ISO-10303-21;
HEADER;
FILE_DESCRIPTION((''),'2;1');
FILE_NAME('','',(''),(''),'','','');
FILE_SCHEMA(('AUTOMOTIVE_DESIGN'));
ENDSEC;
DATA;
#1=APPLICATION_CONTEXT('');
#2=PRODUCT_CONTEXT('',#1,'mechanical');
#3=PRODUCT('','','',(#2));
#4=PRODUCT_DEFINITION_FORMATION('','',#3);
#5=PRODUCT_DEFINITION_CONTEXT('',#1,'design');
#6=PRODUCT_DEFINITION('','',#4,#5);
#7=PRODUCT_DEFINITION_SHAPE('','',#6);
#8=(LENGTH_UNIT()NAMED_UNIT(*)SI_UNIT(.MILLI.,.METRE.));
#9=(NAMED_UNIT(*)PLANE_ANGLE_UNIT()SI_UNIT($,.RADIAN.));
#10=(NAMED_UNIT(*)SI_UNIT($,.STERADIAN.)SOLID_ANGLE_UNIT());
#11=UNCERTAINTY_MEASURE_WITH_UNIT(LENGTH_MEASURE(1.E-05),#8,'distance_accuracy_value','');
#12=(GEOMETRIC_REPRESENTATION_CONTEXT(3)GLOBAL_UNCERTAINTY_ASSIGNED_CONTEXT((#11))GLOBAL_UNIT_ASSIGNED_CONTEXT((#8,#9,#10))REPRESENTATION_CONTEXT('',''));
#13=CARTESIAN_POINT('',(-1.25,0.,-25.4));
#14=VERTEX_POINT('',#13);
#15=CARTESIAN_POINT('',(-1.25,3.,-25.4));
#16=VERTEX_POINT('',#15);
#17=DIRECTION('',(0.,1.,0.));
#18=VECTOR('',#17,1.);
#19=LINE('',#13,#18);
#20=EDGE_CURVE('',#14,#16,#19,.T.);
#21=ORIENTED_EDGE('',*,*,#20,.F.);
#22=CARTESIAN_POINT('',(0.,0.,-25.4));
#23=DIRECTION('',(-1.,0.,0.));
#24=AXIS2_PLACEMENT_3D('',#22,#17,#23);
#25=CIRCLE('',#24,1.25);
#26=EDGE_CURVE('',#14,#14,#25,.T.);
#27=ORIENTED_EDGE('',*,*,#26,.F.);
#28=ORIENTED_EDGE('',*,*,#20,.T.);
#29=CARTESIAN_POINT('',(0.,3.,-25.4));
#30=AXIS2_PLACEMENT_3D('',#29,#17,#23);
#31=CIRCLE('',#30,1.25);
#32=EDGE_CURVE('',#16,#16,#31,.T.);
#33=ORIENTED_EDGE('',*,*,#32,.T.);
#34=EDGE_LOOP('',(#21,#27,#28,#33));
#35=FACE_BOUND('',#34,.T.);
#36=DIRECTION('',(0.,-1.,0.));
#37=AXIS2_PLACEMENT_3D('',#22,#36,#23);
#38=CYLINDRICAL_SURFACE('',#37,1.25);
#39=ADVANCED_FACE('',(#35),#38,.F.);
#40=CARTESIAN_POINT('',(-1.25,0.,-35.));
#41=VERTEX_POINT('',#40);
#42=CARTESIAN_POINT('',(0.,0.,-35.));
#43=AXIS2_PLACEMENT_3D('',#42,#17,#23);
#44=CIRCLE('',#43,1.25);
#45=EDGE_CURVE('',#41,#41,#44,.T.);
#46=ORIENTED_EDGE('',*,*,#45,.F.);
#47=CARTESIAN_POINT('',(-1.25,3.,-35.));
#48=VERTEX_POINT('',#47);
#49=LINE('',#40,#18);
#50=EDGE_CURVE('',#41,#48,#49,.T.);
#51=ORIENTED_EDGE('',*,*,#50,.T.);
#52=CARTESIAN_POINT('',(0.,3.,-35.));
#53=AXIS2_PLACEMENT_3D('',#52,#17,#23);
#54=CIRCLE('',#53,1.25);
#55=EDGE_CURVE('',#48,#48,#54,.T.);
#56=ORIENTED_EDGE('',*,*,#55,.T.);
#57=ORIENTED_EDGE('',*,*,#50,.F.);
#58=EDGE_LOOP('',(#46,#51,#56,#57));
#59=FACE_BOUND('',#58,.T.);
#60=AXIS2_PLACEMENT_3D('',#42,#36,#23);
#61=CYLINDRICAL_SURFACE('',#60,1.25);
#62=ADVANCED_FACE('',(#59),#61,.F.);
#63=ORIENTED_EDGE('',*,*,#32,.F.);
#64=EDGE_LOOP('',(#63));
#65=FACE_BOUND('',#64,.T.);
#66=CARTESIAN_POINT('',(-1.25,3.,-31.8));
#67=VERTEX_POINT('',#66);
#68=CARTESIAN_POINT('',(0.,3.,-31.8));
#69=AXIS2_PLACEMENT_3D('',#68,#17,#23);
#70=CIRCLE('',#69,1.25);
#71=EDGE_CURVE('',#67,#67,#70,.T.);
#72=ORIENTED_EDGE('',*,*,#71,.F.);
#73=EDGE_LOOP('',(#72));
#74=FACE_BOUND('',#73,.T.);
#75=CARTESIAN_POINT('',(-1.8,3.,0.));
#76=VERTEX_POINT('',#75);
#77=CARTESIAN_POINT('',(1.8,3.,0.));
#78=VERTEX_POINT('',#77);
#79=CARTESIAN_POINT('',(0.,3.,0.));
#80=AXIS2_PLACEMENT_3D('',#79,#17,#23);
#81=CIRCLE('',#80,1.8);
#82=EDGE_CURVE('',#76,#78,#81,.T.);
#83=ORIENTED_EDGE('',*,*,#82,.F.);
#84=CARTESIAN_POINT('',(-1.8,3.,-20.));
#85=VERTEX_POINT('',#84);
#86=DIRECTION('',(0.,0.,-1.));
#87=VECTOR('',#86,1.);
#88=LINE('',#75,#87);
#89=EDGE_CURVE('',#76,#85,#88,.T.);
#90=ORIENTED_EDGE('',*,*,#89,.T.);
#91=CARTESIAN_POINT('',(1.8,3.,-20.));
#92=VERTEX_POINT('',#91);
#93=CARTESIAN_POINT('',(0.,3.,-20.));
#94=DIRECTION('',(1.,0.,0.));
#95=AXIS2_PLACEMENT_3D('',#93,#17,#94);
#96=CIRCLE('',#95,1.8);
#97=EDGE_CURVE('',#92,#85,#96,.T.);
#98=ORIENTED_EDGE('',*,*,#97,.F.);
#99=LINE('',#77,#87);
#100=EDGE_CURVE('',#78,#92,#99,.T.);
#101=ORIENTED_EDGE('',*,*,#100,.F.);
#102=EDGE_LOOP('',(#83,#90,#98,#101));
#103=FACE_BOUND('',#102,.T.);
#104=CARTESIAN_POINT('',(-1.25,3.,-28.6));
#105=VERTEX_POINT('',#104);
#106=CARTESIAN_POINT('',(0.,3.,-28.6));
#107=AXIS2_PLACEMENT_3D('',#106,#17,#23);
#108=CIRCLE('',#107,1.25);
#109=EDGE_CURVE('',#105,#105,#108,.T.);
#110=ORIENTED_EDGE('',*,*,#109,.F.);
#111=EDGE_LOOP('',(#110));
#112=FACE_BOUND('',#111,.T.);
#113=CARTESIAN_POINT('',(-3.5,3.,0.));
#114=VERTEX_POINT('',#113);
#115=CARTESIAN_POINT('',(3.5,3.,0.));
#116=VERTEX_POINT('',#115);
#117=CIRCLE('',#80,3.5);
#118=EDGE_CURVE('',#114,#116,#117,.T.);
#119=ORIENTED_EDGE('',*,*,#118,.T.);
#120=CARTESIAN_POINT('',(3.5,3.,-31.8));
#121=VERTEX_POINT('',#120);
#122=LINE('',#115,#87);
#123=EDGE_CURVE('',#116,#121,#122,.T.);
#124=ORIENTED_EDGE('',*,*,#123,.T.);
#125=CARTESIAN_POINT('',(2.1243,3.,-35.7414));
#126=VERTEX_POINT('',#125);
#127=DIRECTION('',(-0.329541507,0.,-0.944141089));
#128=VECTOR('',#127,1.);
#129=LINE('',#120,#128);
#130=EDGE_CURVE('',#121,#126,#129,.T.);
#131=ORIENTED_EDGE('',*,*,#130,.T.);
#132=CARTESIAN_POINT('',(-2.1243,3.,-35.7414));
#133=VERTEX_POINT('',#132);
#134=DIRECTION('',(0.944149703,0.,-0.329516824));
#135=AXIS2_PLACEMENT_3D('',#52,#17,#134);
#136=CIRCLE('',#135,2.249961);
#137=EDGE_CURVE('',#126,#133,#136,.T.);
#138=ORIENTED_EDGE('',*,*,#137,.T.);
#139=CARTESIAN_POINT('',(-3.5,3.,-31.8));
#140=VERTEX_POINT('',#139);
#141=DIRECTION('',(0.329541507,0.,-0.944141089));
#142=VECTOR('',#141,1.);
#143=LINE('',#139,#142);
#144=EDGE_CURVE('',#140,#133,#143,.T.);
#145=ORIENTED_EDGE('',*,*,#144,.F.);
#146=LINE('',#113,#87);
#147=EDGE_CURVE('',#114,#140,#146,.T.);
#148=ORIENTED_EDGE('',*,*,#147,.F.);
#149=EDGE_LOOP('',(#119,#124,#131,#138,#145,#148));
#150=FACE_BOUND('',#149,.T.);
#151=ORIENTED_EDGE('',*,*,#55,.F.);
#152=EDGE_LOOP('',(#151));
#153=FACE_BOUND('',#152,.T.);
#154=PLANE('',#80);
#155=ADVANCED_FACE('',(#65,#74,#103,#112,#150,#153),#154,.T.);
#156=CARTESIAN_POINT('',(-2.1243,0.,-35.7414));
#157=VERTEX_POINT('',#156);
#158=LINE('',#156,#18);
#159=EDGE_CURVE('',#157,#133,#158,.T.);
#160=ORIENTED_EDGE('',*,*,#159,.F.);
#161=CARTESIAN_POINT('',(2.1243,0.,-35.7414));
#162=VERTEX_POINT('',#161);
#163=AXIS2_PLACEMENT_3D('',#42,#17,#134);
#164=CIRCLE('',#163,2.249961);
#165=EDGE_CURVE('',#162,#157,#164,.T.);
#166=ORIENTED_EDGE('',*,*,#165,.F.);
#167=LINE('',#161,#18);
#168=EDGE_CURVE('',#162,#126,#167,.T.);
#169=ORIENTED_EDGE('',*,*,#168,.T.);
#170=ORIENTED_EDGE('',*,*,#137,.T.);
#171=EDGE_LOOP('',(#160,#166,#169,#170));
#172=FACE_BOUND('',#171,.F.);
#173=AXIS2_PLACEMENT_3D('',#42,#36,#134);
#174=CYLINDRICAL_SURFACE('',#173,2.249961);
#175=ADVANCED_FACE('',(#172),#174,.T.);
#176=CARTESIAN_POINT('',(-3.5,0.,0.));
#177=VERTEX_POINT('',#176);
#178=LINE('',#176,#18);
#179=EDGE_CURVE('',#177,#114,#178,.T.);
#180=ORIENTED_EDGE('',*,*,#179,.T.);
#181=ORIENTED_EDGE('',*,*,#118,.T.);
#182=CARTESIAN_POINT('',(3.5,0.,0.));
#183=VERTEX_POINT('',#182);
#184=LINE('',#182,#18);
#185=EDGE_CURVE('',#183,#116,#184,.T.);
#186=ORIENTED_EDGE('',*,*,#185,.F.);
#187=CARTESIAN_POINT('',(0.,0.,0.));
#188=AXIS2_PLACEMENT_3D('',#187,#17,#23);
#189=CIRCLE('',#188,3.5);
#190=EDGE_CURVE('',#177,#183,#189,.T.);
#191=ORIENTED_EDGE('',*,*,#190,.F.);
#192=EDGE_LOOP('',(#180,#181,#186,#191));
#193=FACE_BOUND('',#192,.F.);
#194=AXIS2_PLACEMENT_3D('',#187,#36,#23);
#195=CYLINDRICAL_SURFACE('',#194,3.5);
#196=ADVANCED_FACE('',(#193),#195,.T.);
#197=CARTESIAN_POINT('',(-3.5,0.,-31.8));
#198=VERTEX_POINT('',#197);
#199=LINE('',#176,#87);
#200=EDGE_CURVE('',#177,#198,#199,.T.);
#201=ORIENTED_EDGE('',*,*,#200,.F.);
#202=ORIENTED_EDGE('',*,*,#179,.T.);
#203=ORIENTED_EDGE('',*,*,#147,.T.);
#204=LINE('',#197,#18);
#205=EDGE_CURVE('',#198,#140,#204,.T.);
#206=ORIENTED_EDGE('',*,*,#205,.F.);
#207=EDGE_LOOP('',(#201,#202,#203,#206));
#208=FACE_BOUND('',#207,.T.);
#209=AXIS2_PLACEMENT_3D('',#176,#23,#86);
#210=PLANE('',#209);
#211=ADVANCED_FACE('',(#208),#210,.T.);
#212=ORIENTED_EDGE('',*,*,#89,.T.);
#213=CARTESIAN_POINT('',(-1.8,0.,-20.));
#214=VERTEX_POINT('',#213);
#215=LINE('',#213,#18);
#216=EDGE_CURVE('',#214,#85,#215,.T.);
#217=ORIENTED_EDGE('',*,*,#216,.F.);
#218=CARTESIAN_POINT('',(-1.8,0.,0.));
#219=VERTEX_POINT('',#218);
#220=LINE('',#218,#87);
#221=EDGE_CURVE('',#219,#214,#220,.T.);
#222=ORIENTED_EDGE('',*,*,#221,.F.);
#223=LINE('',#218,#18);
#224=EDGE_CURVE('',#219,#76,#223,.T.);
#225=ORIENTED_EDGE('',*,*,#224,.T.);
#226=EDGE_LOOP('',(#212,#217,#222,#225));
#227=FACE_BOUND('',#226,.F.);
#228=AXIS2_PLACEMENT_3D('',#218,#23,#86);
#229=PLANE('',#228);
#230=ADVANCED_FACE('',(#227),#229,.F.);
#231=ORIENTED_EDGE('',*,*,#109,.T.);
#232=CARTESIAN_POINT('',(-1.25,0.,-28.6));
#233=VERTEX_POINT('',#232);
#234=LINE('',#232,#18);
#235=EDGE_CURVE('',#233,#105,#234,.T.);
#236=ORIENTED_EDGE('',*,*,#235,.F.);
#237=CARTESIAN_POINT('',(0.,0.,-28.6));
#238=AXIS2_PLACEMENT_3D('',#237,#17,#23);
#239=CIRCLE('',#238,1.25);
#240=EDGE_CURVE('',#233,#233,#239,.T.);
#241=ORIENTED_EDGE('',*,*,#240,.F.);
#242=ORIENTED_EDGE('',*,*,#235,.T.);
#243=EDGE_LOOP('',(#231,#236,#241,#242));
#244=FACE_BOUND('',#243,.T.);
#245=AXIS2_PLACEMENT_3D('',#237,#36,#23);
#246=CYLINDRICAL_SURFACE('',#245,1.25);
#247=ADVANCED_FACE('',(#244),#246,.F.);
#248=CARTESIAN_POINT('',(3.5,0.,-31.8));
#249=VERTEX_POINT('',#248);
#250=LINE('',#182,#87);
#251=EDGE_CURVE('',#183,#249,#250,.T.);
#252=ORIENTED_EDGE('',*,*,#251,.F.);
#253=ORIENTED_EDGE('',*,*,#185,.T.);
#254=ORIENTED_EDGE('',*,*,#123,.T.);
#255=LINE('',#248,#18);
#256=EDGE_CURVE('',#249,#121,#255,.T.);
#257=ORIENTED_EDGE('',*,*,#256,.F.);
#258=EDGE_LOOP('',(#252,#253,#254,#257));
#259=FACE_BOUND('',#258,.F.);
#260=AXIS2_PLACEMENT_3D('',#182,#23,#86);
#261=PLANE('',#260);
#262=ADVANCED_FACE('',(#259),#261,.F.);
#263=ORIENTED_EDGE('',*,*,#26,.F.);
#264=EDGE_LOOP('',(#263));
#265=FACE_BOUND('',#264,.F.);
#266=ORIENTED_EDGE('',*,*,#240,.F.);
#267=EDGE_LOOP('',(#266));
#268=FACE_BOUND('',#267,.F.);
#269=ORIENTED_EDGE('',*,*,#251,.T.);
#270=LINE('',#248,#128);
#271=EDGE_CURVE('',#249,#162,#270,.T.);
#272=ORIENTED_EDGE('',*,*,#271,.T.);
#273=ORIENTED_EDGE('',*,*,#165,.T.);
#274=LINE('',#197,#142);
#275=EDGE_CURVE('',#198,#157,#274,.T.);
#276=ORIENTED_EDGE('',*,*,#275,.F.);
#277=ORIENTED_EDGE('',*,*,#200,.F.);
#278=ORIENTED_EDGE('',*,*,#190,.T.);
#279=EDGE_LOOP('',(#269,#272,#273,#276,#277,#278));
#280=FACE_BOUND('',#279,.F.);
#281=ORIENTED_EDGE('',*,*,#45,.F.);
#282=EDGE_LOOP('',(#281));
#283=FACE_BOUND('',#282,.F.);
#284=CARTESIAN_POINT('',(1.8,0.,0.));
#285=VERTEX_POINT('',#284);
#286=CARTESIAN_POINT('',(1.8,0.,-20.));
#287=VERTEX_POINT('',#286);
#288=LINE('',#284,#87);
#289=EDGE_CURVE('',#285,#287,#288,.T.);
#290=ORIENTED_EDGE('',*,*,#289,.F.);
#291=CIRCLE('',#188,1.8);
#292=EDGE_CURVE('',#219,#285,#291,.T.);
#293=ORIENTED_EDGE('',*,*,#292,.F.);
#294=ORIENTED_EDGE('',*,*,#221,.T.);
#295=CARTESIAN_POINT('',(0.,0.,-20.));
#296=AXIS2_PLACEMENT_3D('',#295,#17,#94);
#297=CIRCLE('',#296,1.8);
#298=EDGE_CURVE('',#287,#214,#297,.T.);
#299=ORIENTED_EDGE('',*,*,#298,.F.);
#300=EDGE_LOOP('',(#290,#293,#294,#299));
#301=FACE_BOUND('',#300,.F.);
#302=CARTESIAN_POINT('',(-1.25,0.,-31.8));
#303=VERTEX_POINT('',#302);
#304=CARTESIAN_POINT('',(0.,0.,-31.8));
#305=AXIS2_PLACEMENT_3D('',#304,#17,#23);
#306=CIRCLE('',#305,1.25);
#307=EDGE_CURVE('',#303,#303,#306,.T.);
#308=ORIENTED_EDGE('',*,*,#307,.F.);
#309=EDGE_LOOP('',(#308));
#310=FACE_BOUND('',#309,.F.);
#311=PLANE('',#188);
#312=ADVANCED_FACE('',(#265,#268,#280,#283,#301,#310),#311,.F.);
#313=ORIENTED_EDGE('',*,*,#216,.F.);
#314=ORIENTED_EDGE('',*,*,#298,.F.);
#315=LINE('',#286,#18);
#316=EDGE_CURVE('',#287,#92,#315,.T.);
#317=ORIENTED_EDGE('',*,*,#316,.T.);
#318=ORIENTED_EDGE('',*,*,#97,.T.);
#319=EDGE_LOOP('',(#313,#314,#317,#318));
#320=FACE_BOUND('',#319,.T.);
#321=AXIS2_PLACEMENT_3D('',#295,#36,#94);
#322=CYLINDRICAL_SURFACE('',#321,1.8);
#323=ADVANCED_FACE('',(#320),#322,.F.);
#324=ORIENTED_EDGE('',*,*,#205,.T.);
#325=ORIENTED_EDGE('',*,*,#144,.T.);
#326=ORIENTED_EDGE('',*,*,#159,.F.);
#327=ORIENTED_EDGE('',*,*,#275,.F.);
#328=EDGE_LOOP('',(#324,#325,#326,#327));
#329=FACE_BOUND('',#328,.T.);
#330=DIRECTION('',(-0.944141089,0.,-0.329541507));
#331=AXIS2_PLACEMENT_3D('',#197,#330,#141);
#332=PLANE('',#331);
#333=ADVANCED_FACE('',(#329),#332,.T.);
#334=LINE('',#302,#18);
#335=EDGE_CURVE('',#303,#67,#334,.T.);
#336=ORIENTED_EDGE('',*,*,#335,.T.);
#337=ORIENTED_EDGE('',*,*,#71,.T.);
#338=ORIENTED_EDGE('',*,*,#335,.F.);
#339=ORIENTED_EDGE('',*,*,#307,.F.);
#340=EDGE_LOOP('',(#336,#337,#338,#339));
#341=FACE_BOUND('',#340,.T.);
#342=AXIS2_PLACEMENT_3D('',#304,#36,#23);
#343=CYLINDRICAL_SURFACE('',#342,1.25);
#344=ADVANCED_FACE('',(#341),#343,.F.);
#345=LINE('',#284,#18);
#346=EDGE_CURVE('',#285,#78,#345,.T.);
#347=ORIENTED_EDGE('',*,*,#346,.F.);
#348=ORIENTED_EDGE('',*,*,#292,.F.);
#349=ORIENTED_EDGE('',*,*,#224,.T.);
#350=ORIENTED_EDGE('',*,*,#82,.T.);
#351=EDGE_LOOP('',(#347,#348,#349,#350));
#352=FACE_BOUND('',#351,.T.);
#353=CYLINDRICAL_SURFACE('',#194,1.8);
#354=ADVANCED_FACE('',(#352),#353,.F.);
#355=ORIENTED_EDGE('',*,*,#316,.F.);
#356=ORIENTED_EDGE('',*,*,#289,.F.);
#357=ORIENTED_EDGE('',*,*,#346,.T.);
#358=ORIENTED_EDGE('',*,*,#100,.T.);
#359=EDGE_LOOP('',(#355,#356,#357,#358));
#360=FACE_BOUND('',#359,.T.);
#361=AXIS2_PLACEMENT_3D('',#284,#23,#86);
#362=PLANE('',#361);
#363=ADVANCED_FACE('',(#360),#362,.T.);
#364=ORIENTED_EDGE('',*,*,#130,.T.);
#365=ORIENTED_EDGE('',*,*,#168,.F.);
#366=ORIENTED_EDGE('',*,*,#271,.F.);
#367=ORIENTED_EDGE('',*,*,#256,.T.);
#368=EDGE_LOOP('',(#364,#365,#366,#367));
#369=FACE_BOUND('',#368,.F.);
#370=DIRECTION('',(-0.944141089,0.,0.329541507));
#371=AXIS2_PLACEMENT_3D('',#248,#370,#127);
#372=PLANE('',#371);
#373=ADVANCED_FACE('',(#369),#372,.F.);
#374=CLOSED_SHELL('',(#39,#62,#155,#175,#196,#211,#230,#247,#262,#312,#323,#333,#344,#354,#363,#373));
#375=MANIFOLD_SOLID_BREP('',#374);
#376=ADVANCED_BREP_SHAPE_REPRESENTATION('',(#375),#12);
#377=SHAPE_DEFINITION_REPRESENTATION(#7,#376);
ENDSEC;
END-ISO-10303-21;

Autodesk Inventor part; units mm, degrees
ref_plane "YZ Plane" through (0, 0, 0) normal (1, 0, 0) x (0, 1, 0)
ref_plane "XZ Plane" through (0, 0, 0) normal (0, 1, 0) x (-1, 0, 0)
ref_plane "XY Plane" through (0, 0, 0) normal (0, 0, 1) x (1, 0, 0)
sketch "草圖1" plane through (0, 0, 0) normal (0, 1, 0) x (-1, 0, 0)
  arc A0 (1.8, 0) -> (-1.8, 0) centre (0, 0) ccw
  line L0 (0, 0) -> (0, -20) construction
  arc A1 (-1.8, -20) -> (1.8, -20) centre (0, -20) ccw
  arc A2 (3.5, 0) -> (-3.5, 0) centre (0, 0) ccw
  line L1 (1.8, 0) -> (1.8, -20)
  line L2 (-1.8, 0) -> (-1.8, -20)
  line L3 (0, -20) -> (0, -35) construction
  line L4 (3.5, 0) -> (3.5, -31.8)
  line L5 (-3.5, 0) -> (-3.5, -31.8)
  circle A3 centre (0, -35) radius 1.25
  line L6 (0, -35) -> (0, -25.4) construction
  line L7 (0, -35) -> (0, -31.8) construction
  line L8 (0, -31.8) -> (0, -28.6) construction
  line L9 (0, -28.6) -> (0, -25.4) construction
  circle A4 centre (0, -31.8) radius 1.25
  circle A5 centre (0, -28.6) radius 1.25
  circle A6 centre (0, -25.4) radius 1.25
  line L10 (3.5, -31.8) -> (2.1243, -35.7414)
  line L11 (-3.5, -31.8) -> (-2.1243, -35.7414)
  arc A7 (-2.1243, -35.7414) -> (2.1243, -35.7414) centre (0, -35) ccw
  dimension "d0" = 3.6
  dimension "d1" = 20
  dimension "d2" = 3.6
  dimension "d3" = 7
  dimension "d5" = 15
  dimension "d9" = 2.5
  dimension "d13" = 3.2
  dimension "d14" = 3.2
  dimension "d15" = 3.2
  dimension "d16" = 2.5
  dimension "d17" = 2.5
  dimension "d18" = 2.5
extrude "Extrusion3" add sketch "草圖1" along normal blind 3
properties part number "轉向軸19"
